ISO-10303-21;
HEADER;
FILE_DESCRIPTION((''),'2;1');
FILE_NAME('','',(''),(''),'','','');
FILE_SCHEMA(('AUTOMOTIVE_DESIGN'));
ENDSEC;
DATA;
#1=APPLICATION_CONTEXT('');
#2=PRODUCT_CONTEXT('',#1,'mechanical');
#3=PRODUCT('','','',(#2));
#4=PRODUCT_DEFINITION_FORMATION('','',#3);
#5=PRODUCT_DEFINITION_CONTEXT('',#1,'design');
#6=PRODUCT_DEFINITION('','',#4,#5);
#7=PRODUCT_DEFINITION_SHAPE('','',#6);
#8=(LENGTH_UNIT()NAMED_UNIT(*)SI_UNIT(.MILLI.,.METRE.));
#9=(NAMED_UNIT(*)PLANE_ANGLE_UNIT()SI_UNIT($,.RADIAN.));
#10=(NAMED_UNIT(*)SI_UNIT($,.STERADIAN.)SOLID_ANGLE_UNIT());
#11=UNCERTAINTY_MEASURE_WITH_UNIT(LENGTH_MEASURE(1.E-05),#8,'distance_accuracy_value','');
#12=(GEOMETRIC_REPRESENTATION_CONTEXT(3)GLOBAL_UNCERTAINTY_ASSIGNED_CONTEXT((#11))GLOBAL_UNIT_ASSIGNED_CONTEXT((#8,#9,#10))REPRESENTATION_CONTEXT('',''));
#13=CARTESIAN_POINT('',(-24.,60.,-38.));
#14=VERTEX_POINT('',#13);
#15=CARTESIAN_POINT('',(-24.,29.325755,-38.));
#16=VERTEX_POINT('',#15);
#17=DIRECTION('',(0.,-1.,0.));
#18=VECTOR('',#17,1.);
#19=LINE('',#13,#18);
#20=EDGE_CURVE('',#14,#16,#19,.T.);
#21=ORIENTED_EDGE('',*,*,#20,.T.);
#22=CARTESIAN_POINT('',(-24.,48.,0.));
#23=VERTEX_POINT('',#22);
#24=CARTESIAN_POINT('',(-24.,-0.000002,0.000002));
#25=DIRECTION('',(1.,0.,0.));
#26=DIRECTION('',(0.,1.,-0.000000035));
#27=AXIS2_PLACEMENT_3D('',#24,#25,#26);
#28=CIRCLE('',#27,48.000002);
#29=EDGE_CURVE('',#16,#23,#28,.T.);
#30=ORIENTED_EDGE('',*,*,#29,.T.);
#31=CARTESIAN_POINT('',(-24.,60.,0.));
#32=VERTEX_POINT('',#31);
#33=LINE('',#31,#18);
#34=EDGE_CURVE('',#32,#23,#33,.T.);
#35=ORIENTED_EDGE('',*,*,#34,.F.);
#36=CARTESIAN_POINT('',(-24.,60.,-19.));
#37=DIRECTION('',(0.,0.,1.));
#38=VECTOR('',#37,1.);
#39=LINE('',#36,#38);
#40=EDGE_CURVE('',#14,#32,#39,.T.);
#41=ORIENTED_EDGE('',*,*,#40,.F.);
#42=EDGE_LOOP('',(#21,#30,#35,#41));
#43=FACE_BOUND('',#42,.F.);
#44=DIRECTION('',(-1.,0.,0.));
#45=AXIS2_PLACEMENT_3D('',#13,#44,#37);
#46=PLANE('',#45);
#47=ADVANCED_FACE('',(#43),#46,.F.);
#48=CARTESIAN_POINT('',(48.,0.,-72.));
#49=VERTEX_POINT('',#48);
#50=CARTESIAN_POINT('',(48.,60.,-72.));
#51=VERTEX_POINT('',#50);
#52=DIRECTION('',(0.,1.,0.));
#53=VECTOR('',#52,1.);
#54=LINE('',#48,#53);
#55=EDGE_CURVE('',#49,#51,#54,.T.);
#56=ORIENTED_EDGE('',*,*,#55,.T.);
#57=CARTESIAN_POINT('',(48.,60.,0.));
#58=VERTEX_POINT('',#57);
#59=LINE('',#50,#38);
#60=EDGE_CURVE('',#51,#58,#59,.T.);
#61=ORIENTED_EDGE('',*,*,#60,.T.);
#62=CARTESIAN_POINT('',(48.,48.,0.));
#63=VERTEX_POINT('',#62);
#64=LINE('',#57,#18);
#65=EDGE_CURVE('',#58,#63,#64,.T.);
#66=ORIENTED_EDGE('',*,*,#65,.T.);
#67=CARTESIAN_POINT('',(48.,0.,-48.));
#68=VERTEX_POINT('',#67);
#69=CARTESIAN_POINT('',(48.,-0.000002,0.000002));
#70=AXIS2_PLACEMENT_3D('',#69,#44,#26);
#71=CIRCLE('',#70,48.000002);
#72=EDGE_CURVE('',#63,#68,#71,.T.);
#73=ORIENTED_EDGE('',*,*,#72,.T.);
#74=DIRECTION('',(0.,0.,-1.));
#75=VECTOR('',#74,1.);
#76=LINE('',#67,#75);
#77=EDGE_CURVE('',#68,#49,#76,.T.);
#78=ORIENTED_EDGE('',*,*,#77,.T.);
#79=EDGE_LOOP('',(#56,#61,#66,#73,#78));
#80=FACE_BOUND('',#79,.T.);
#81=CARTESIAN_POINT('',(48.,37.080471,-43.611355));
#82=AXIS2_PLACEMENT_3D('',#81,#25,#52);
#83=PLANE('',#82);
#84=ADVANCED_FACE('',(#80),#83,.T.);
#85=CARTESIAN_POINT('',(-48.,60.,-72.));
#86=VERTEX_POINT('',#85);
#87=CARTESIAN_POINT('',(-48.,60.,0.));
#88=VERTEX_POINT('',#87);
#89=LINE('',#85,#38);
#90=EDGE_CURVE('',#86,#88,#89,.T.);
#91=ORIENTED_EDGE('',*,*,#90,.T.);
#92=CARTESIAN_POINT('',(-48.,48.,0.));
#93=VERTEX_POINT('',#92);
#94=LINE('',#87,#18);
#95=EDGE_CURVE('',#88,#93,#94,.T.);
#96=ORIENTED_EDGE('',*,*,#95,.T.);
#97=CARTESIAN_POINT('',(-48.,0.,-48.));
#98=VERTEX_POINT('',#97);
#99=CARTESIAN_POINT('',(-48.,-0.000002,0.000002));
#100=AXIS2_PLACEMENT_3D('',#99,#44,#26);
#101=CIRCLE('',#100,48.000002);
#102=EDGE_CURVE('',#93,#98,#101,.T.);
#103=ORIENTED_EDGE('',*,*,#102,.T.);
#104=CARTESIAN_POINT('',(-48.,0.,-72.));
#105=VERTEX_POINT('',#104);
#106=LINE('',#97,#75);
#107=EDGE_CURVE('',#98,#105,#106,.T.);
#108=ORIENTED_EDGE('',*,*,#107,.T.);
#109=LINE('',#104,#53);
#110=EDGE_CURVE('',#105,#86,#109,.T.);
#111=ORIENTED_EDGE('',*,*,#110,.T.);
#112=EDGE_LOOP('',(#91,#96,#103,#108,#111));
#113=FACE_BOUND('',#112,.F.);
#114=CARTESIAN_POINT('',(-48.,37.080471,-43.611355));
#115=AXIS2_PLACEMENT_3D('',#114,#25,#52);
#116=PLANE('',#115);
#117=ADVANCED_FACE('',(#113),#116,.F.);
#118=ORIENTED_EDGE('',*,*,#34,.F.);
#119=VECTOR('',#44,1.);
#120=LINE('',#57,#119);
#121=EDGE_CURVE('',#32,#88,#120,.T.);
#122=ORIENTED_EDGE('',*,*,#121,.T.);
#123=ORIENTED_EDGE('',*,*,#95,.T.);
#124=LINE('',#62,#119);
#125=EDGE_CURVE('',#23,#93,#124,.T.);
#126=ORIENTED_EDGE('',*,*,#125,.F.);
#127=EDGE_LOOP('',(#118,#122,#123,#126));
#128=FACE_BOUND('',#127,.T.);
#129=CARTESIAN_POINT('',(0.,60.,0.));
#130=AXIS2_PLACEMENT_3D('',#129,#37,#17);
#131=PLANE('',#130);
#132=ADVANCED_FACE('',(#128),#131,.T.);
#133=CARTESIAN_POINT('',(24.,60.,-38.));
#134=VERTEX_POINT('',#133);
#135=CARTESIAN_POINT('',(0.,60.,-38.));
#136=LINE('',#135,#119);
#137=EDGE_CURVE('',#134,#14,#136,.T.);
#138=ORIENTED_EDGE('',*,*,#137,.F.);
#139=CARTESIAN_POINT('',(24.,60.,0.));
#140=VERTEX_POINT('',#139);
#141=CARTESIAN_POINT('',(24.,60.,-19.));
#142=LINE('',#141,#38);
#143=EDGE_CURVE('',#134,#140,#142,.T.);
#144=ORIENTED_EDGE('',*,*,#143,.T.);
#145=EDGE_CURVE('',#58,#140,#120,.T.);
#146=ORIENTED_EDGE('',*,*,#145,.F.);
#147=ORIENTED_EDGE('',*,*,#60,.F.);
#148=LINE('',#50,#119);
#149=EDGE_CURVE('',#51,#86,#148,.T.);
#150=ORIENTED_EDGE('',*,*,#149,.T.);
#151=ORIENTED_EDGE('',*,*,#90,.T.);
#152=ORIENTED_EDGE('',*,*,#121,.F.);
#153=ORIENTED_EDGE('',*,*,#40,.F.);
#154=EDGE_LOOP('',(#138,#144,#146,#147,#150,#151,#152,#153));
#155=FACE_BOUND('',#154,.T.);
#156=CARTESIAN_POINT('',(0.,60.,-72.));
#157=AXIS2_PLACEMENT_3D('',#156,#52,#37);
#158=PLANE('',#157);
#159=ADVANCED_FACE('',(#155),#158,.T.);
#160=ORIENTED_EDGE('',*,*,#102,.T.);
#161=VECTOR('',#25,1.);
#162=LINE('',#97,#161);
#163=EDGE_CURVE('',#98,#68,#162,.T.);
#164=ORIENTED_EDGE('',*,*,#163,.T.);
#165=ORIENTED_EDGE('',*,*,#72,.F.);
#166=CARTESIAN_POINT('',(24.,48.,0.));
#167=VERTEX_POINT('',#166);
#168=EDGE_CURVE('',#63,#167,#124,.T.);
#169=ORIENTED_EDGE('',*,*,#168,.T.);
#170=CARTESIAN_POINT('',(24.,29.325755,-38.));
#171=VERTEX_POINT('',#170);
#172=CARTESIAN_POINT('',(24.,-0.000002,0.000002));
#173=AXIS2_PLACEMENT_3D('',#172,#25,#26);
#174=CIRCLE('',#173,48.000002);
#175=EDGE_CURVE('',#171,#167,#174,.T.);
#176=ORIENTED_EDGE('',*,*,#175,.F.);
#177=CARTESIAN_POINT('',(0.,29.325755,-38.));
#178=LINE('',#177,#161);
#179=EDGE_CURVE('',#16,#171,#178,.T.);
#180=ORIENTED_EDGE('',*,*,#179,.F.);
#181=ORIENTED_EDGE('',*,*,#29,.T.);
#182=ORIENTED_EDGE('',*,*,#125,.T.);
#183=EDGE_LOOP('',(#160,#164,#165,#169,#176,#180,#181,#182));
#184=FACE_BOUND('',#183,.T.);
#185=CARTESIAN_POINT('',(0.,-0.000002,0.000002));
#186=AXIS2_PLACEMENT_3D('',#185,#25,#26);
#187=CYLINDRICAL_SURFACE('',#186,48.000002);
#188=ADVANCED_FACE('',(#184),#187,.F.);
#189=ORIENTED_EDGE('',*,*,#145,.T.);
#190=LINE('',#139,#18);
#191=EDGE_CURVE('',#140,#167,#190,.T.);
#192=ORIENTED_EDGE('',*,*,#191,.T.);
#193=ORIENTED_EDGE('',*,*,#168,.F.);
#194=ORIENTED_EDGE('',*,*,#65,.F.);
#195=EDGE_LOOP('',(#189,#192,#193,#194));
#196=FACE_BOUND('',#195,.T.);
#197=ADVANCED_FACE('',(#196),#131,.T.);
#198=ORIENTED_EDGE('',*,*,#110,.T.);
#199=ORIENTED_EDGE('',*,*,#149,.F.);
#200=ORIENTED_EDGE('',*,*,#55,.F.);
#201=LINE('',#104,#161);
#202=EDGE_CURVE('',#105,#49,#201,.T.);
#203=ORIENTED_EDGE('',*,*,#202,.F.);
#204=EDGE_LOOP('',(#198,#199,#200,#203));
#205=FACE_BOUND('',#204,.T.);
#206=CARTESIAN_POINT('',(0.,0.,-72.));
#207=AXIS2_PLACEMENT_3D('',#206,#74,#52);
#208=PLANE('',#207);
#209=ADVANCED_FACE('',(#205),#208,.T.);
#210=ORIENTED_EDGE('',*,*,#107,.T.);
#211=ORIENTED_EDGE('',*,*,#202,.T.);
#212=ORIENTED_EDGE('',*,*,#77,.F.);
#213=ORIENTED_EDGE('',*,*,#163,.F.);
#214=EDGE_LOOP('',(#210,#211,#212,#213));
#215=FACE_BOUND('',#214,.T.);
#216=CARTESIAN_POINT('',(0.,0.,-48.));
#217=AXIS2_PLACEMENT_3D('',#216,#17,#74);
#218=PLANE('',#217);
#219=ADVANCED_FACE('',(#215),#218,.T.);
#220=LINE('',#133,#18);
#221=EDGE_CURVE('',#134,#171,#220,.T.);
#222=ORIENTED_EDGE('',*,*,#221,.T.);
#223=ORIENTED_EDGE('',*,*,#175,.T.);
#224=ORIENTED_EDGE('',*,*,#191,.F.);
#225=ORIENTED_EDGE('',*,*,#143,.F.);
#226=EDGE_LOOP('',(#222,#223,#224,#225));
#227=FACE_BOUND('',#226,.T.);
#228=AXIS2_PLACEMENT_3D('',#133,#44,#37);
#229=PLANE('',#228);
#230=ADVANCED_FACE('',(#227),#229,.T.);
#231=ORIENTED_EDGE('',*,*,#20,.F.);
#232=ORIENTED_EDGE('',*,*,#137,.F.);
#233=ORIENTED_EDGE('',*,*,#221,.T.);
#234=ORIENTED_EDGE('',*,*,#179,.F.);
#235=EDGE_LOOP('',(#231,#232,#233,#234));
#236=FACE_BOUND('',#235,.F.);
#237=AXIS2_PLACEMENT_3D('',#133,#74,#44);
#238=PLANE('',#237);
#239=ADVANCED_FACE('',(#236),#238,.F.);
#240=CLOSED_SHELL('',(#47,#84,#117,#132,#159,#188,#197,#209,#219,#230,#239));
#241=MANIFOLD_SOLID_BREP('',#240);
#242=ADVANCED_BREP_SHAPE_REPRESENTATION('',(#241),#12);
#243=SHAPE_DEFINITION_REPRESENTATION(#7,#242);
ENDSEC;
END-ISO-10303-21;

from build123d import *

# Parameters (mm, degrees)
F1_DEPTH = 48
F2_W     = 48
F2_H     = 38
F3_DEPTH = 60.001


with BuildPart() as f1:
    # F0 (on Right) → F1 (new body, symmetric)
    with BuildSketch(Plane.YZ):
        with BuildLine():
            ThreePointArc((48, 0), (33.941125, -33.941125), (0, -48))
            Line((0, -48), (0, -72))
            Line((0, -72), (60, -72))
            Line((60, -72), (60, 0))
            Line((60, 0), (48, 0))
        make_face()
    extrude(amount=F1_DEPTH, both=True)

    # F2 (on face) → F3 (cut, through all)
    with BuildSketch(Plane(origin=(0, 60, 0), x_dir=(-1, 0, 0), z_dir=(0, 1, 0))):
        with Locations((0, -19)):
            Rectangle(F2_W, F2_H)
    extrude(amount=-F3_DEPTH, mode=Mode.SUBTRACT)


solid = f1.part
